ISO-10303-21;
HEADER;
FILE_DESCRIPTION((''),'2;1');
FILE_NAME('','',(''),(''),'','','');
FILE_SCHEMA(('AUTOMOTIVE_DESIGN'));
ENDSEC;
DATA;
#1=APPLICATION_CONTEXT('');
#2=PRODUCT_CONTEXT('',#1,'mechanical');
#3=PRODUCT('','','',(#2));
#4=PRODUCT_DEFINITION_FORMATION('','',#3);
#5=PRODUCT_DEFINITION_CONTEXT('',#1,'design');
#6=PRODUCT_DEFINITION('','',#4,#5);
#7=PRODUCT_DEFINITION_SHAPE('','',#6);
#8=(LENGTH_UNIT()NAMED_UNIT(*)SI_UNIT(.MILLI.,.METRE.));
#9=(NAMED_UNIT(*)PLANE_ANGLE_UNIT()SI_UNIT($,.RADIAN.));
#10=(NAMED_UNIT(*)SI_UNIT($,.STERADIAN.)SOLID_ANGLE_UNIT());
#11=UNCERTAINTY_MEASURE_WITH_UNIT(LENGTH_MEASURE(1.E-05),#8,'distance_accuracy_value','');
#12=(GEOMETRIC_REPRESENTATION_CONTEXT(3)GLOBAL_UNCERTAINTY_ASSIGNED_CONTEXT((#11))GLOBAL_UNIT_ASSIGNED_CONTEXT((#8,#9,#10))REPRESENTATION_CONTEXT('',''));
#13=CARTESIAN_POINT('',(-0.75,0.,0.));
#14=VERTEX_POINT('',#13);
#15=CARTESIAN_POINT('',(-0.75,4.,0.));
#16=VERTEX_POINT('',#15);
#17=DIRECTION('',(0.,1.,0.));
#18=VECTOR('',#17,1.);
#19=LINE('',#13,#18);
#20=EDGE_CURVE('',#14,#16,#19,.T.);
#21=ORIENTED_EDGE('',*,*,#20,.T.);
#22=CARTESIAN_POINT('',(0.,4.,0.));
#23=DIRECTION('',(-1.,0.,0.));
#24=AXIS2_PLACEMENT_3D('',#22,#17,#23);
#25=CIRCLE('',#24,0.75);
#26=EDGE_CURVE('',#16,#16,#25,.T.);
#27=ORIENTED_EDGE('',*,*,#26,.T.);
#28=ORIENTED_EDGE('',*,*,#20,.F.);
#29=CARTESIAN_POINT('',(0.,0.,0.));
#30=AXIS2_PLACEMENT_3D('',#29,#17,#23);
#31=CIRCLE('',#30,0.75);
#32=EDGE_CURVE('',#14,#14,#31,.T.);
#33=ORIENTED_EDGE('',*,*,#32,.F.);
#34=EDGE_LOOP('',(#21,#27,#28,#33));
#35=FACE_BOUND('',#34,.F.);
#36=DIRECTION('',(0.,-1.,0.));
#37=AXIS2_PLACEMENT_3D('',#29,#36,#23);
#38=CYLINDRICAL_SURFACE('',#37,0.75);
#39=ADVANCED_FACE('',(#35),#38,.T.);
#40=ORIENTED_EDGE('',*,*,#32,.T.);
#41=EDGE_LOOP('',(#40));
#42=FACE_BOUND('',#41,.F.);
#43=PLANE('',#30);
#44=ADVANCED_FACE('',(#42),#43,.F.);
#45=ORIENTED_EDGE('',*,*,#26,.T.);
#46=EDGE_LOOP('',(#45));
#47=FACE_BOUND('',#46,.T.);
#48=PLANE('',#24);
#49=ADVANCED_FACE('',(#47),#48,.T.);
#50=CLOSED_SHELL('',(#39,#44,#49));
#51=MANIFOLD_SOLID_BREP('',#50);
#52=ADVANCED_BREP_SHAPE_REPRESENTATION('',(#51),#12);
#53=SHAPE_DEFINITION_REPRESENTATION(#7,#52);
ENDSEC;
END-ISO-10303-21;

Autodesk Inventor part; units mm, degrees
ref_plane "YZ Plane" through (0, 0, 0) normal (1, 0, 0) x (0, 1, 0)
ref_plane "XZ Plane" through (0, 0, 0) normal (0, 1, 0) x (-1, 0, 0)
ref_plane "XY Plane" through (0, 0, 0) normal (0, 0, 1) x (1, 0, 0)
sketch "草圖1" plane through (0, 0, 0) normal (0, 1, 0) x (-1, 0, 0)
  circle A0 centre (0, 0) radius 0.75
  dimension "d0" = 1.5
extrude "擠出1" add sketch "草圖1" along normal blind 4
properties part number "軸4mm"
